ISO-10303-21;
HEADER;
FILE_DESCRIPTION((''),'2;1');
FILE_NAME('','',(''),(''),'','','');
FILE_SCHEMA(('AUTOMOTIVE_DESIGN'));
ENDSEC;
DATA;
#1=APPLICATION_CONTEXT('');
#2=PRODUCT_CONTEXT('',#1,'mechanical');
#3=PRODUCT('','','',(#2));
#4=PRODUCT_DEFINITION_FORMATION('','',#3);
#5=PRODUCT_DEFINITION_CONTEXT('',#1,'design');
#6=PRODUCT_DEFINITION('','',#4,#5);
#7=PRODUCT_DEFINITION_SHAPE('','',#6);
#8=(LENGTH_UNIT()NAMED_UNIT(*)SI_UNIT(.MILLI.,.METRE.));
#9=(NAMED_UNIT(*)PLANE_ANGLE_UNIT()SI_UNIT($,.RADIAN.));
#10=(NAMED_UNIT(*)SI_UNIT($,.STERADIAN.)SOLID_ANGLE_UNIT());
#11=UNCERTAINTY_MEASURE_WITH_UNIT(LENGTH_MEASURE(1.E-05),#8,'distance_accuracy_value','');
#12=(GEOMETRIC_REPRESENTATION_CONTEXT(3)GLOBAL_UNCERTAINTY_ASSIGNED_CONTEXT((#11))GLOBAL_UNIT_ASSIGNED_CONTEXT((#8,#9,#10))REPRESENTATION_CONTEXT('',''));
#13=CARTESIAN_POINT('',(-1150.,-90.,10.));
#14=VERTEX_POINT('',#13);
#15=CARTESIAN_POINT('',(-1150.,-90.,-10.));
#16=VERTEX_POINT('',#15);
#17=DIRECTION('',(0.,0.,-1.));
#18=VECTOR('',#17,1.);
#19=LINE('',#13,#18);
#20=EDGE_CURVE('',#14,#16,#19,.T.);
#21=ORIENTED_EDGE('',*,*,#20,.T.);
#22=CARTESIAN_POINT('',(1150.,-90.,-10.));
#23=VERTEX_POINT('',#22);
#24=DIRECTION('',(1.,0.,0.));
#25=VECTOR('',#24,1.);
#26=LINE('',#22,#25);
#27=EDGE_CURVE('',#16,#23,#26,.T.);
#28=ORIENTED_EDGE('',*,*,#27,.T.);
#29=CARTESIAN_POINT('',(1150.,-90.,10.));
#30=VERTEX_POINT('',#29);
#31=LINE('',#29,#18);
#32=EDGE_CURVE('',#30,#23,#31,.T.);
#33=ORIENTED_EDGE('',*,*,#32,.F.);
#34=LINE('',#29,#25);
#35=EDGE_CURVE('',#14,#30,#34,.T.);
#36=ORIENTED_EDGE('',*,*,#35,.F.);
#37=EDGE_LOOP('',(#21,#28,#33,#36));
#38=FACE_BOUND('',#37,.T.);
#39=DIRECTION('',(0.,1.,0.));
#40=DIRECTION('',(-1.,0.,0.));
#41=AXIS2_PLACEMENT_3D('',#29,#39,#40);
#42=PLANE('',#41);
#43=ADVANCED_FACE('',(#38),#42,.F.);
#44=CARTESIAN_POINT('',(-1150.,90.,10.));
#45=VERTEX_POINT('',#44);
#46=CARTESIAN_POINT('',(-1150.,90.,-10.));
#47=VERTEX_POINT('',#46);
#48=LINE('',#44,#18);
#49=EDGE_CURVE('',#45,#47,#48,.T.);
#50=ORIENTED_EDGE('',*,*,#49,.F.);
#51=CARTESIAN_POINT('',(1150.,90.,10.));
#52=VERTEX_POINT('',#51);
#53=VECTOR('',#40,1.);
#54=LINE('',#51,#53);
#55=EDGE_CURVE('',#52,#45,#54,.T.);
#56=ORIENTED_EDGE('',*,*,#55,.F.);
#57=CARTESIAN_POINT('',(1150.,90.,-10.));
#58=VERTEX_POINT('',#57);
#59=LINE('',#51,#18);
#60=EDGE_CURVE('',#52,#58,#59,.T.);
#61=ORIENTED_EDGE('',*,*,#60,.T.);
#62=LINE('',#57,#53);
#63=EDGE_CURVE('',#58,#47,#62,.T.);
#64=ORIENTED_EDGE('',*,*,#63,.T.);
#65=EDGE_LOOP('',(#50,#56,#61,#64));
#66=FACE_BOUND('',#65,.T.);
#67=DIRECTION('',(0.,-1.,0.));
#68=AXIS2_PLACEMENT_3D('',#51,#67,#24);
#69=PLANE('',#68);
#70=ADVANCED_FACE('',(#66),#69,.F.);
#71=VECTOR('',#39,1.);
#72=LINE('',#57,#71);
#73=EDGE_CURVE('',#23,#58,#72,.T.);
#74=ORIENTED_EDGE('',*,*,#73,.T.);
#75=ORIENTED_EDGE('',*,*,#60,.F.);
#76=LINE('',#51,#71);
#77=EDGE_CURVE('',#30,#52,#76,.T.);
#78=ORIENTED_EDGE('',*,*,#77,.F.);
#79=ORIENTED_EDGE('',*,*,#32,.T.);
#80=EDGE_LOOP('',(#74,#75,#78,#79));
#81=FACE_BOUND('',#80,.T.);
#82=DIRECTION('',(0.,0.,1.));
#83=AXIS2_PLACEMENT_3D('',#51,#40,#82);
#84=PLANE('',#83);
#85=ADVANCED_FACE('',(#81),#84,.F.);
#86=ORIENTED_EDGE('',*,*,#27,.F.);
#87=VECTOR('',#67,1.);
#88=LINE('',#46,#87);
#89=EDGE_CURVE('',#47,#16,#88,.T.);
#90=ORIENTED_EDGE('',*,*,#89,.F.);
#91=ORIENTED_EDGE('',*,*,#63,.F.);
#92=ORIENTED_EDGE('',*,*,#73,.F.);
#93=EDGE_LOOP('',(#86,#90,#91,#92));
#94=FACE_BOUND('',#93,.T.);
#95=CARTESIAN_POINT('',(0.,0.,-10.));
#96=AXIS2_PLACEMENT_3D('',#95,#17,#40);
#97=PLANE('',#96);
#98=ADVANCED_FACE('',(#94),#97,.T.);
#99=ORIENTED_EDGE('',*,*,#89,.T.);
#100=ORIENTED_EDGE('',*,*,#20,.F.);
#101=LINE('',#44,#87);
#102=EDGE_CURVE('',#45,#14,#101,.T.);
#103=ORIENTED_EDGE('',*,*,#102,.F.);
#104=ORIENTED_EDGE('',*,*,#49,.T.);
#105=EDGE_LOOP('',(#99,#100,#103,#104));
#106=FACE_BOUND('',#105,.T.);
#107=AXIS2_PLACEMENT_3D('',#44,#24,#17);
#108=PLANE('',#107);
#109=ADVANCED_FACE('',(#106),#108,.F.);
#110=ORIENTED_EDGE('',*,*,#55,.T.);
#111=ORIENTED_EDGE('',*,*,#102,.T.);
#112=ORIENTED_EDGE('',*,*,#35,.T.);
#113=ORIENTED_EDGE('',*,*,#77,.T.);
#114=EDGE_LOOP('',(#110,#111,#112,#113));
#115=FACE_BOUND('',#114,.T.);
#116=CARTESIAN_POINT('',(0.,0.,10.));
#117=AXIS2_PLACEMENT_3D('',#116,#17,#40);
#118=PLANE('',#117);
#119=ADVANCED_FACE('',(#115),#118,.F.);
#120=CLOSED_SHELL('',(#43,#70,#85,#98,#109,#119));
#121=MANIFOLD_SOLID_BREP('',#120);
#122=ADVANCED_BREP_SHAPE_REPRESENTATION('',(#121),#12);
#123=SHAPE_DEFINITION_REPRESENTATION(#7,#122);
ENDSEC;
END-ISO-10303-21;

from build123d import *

# Parameters (mm, degrees)
SKETCH1_W           = 2300
SKETCH1_H           = 180
BOSS_EXTRUDE1_DEPTH = 10


with BuildPart() as part:
    # Sketch1 → Boss-Extrude1 (new body, symmetric)
    with BuildSketch(Plane.XY):
        Rectangle(SKETCH1_W, SKETCH1_H)
    extrude(amount=BOSS_EXTRUDE1_DEPTH, both=True)


solid = part.part
